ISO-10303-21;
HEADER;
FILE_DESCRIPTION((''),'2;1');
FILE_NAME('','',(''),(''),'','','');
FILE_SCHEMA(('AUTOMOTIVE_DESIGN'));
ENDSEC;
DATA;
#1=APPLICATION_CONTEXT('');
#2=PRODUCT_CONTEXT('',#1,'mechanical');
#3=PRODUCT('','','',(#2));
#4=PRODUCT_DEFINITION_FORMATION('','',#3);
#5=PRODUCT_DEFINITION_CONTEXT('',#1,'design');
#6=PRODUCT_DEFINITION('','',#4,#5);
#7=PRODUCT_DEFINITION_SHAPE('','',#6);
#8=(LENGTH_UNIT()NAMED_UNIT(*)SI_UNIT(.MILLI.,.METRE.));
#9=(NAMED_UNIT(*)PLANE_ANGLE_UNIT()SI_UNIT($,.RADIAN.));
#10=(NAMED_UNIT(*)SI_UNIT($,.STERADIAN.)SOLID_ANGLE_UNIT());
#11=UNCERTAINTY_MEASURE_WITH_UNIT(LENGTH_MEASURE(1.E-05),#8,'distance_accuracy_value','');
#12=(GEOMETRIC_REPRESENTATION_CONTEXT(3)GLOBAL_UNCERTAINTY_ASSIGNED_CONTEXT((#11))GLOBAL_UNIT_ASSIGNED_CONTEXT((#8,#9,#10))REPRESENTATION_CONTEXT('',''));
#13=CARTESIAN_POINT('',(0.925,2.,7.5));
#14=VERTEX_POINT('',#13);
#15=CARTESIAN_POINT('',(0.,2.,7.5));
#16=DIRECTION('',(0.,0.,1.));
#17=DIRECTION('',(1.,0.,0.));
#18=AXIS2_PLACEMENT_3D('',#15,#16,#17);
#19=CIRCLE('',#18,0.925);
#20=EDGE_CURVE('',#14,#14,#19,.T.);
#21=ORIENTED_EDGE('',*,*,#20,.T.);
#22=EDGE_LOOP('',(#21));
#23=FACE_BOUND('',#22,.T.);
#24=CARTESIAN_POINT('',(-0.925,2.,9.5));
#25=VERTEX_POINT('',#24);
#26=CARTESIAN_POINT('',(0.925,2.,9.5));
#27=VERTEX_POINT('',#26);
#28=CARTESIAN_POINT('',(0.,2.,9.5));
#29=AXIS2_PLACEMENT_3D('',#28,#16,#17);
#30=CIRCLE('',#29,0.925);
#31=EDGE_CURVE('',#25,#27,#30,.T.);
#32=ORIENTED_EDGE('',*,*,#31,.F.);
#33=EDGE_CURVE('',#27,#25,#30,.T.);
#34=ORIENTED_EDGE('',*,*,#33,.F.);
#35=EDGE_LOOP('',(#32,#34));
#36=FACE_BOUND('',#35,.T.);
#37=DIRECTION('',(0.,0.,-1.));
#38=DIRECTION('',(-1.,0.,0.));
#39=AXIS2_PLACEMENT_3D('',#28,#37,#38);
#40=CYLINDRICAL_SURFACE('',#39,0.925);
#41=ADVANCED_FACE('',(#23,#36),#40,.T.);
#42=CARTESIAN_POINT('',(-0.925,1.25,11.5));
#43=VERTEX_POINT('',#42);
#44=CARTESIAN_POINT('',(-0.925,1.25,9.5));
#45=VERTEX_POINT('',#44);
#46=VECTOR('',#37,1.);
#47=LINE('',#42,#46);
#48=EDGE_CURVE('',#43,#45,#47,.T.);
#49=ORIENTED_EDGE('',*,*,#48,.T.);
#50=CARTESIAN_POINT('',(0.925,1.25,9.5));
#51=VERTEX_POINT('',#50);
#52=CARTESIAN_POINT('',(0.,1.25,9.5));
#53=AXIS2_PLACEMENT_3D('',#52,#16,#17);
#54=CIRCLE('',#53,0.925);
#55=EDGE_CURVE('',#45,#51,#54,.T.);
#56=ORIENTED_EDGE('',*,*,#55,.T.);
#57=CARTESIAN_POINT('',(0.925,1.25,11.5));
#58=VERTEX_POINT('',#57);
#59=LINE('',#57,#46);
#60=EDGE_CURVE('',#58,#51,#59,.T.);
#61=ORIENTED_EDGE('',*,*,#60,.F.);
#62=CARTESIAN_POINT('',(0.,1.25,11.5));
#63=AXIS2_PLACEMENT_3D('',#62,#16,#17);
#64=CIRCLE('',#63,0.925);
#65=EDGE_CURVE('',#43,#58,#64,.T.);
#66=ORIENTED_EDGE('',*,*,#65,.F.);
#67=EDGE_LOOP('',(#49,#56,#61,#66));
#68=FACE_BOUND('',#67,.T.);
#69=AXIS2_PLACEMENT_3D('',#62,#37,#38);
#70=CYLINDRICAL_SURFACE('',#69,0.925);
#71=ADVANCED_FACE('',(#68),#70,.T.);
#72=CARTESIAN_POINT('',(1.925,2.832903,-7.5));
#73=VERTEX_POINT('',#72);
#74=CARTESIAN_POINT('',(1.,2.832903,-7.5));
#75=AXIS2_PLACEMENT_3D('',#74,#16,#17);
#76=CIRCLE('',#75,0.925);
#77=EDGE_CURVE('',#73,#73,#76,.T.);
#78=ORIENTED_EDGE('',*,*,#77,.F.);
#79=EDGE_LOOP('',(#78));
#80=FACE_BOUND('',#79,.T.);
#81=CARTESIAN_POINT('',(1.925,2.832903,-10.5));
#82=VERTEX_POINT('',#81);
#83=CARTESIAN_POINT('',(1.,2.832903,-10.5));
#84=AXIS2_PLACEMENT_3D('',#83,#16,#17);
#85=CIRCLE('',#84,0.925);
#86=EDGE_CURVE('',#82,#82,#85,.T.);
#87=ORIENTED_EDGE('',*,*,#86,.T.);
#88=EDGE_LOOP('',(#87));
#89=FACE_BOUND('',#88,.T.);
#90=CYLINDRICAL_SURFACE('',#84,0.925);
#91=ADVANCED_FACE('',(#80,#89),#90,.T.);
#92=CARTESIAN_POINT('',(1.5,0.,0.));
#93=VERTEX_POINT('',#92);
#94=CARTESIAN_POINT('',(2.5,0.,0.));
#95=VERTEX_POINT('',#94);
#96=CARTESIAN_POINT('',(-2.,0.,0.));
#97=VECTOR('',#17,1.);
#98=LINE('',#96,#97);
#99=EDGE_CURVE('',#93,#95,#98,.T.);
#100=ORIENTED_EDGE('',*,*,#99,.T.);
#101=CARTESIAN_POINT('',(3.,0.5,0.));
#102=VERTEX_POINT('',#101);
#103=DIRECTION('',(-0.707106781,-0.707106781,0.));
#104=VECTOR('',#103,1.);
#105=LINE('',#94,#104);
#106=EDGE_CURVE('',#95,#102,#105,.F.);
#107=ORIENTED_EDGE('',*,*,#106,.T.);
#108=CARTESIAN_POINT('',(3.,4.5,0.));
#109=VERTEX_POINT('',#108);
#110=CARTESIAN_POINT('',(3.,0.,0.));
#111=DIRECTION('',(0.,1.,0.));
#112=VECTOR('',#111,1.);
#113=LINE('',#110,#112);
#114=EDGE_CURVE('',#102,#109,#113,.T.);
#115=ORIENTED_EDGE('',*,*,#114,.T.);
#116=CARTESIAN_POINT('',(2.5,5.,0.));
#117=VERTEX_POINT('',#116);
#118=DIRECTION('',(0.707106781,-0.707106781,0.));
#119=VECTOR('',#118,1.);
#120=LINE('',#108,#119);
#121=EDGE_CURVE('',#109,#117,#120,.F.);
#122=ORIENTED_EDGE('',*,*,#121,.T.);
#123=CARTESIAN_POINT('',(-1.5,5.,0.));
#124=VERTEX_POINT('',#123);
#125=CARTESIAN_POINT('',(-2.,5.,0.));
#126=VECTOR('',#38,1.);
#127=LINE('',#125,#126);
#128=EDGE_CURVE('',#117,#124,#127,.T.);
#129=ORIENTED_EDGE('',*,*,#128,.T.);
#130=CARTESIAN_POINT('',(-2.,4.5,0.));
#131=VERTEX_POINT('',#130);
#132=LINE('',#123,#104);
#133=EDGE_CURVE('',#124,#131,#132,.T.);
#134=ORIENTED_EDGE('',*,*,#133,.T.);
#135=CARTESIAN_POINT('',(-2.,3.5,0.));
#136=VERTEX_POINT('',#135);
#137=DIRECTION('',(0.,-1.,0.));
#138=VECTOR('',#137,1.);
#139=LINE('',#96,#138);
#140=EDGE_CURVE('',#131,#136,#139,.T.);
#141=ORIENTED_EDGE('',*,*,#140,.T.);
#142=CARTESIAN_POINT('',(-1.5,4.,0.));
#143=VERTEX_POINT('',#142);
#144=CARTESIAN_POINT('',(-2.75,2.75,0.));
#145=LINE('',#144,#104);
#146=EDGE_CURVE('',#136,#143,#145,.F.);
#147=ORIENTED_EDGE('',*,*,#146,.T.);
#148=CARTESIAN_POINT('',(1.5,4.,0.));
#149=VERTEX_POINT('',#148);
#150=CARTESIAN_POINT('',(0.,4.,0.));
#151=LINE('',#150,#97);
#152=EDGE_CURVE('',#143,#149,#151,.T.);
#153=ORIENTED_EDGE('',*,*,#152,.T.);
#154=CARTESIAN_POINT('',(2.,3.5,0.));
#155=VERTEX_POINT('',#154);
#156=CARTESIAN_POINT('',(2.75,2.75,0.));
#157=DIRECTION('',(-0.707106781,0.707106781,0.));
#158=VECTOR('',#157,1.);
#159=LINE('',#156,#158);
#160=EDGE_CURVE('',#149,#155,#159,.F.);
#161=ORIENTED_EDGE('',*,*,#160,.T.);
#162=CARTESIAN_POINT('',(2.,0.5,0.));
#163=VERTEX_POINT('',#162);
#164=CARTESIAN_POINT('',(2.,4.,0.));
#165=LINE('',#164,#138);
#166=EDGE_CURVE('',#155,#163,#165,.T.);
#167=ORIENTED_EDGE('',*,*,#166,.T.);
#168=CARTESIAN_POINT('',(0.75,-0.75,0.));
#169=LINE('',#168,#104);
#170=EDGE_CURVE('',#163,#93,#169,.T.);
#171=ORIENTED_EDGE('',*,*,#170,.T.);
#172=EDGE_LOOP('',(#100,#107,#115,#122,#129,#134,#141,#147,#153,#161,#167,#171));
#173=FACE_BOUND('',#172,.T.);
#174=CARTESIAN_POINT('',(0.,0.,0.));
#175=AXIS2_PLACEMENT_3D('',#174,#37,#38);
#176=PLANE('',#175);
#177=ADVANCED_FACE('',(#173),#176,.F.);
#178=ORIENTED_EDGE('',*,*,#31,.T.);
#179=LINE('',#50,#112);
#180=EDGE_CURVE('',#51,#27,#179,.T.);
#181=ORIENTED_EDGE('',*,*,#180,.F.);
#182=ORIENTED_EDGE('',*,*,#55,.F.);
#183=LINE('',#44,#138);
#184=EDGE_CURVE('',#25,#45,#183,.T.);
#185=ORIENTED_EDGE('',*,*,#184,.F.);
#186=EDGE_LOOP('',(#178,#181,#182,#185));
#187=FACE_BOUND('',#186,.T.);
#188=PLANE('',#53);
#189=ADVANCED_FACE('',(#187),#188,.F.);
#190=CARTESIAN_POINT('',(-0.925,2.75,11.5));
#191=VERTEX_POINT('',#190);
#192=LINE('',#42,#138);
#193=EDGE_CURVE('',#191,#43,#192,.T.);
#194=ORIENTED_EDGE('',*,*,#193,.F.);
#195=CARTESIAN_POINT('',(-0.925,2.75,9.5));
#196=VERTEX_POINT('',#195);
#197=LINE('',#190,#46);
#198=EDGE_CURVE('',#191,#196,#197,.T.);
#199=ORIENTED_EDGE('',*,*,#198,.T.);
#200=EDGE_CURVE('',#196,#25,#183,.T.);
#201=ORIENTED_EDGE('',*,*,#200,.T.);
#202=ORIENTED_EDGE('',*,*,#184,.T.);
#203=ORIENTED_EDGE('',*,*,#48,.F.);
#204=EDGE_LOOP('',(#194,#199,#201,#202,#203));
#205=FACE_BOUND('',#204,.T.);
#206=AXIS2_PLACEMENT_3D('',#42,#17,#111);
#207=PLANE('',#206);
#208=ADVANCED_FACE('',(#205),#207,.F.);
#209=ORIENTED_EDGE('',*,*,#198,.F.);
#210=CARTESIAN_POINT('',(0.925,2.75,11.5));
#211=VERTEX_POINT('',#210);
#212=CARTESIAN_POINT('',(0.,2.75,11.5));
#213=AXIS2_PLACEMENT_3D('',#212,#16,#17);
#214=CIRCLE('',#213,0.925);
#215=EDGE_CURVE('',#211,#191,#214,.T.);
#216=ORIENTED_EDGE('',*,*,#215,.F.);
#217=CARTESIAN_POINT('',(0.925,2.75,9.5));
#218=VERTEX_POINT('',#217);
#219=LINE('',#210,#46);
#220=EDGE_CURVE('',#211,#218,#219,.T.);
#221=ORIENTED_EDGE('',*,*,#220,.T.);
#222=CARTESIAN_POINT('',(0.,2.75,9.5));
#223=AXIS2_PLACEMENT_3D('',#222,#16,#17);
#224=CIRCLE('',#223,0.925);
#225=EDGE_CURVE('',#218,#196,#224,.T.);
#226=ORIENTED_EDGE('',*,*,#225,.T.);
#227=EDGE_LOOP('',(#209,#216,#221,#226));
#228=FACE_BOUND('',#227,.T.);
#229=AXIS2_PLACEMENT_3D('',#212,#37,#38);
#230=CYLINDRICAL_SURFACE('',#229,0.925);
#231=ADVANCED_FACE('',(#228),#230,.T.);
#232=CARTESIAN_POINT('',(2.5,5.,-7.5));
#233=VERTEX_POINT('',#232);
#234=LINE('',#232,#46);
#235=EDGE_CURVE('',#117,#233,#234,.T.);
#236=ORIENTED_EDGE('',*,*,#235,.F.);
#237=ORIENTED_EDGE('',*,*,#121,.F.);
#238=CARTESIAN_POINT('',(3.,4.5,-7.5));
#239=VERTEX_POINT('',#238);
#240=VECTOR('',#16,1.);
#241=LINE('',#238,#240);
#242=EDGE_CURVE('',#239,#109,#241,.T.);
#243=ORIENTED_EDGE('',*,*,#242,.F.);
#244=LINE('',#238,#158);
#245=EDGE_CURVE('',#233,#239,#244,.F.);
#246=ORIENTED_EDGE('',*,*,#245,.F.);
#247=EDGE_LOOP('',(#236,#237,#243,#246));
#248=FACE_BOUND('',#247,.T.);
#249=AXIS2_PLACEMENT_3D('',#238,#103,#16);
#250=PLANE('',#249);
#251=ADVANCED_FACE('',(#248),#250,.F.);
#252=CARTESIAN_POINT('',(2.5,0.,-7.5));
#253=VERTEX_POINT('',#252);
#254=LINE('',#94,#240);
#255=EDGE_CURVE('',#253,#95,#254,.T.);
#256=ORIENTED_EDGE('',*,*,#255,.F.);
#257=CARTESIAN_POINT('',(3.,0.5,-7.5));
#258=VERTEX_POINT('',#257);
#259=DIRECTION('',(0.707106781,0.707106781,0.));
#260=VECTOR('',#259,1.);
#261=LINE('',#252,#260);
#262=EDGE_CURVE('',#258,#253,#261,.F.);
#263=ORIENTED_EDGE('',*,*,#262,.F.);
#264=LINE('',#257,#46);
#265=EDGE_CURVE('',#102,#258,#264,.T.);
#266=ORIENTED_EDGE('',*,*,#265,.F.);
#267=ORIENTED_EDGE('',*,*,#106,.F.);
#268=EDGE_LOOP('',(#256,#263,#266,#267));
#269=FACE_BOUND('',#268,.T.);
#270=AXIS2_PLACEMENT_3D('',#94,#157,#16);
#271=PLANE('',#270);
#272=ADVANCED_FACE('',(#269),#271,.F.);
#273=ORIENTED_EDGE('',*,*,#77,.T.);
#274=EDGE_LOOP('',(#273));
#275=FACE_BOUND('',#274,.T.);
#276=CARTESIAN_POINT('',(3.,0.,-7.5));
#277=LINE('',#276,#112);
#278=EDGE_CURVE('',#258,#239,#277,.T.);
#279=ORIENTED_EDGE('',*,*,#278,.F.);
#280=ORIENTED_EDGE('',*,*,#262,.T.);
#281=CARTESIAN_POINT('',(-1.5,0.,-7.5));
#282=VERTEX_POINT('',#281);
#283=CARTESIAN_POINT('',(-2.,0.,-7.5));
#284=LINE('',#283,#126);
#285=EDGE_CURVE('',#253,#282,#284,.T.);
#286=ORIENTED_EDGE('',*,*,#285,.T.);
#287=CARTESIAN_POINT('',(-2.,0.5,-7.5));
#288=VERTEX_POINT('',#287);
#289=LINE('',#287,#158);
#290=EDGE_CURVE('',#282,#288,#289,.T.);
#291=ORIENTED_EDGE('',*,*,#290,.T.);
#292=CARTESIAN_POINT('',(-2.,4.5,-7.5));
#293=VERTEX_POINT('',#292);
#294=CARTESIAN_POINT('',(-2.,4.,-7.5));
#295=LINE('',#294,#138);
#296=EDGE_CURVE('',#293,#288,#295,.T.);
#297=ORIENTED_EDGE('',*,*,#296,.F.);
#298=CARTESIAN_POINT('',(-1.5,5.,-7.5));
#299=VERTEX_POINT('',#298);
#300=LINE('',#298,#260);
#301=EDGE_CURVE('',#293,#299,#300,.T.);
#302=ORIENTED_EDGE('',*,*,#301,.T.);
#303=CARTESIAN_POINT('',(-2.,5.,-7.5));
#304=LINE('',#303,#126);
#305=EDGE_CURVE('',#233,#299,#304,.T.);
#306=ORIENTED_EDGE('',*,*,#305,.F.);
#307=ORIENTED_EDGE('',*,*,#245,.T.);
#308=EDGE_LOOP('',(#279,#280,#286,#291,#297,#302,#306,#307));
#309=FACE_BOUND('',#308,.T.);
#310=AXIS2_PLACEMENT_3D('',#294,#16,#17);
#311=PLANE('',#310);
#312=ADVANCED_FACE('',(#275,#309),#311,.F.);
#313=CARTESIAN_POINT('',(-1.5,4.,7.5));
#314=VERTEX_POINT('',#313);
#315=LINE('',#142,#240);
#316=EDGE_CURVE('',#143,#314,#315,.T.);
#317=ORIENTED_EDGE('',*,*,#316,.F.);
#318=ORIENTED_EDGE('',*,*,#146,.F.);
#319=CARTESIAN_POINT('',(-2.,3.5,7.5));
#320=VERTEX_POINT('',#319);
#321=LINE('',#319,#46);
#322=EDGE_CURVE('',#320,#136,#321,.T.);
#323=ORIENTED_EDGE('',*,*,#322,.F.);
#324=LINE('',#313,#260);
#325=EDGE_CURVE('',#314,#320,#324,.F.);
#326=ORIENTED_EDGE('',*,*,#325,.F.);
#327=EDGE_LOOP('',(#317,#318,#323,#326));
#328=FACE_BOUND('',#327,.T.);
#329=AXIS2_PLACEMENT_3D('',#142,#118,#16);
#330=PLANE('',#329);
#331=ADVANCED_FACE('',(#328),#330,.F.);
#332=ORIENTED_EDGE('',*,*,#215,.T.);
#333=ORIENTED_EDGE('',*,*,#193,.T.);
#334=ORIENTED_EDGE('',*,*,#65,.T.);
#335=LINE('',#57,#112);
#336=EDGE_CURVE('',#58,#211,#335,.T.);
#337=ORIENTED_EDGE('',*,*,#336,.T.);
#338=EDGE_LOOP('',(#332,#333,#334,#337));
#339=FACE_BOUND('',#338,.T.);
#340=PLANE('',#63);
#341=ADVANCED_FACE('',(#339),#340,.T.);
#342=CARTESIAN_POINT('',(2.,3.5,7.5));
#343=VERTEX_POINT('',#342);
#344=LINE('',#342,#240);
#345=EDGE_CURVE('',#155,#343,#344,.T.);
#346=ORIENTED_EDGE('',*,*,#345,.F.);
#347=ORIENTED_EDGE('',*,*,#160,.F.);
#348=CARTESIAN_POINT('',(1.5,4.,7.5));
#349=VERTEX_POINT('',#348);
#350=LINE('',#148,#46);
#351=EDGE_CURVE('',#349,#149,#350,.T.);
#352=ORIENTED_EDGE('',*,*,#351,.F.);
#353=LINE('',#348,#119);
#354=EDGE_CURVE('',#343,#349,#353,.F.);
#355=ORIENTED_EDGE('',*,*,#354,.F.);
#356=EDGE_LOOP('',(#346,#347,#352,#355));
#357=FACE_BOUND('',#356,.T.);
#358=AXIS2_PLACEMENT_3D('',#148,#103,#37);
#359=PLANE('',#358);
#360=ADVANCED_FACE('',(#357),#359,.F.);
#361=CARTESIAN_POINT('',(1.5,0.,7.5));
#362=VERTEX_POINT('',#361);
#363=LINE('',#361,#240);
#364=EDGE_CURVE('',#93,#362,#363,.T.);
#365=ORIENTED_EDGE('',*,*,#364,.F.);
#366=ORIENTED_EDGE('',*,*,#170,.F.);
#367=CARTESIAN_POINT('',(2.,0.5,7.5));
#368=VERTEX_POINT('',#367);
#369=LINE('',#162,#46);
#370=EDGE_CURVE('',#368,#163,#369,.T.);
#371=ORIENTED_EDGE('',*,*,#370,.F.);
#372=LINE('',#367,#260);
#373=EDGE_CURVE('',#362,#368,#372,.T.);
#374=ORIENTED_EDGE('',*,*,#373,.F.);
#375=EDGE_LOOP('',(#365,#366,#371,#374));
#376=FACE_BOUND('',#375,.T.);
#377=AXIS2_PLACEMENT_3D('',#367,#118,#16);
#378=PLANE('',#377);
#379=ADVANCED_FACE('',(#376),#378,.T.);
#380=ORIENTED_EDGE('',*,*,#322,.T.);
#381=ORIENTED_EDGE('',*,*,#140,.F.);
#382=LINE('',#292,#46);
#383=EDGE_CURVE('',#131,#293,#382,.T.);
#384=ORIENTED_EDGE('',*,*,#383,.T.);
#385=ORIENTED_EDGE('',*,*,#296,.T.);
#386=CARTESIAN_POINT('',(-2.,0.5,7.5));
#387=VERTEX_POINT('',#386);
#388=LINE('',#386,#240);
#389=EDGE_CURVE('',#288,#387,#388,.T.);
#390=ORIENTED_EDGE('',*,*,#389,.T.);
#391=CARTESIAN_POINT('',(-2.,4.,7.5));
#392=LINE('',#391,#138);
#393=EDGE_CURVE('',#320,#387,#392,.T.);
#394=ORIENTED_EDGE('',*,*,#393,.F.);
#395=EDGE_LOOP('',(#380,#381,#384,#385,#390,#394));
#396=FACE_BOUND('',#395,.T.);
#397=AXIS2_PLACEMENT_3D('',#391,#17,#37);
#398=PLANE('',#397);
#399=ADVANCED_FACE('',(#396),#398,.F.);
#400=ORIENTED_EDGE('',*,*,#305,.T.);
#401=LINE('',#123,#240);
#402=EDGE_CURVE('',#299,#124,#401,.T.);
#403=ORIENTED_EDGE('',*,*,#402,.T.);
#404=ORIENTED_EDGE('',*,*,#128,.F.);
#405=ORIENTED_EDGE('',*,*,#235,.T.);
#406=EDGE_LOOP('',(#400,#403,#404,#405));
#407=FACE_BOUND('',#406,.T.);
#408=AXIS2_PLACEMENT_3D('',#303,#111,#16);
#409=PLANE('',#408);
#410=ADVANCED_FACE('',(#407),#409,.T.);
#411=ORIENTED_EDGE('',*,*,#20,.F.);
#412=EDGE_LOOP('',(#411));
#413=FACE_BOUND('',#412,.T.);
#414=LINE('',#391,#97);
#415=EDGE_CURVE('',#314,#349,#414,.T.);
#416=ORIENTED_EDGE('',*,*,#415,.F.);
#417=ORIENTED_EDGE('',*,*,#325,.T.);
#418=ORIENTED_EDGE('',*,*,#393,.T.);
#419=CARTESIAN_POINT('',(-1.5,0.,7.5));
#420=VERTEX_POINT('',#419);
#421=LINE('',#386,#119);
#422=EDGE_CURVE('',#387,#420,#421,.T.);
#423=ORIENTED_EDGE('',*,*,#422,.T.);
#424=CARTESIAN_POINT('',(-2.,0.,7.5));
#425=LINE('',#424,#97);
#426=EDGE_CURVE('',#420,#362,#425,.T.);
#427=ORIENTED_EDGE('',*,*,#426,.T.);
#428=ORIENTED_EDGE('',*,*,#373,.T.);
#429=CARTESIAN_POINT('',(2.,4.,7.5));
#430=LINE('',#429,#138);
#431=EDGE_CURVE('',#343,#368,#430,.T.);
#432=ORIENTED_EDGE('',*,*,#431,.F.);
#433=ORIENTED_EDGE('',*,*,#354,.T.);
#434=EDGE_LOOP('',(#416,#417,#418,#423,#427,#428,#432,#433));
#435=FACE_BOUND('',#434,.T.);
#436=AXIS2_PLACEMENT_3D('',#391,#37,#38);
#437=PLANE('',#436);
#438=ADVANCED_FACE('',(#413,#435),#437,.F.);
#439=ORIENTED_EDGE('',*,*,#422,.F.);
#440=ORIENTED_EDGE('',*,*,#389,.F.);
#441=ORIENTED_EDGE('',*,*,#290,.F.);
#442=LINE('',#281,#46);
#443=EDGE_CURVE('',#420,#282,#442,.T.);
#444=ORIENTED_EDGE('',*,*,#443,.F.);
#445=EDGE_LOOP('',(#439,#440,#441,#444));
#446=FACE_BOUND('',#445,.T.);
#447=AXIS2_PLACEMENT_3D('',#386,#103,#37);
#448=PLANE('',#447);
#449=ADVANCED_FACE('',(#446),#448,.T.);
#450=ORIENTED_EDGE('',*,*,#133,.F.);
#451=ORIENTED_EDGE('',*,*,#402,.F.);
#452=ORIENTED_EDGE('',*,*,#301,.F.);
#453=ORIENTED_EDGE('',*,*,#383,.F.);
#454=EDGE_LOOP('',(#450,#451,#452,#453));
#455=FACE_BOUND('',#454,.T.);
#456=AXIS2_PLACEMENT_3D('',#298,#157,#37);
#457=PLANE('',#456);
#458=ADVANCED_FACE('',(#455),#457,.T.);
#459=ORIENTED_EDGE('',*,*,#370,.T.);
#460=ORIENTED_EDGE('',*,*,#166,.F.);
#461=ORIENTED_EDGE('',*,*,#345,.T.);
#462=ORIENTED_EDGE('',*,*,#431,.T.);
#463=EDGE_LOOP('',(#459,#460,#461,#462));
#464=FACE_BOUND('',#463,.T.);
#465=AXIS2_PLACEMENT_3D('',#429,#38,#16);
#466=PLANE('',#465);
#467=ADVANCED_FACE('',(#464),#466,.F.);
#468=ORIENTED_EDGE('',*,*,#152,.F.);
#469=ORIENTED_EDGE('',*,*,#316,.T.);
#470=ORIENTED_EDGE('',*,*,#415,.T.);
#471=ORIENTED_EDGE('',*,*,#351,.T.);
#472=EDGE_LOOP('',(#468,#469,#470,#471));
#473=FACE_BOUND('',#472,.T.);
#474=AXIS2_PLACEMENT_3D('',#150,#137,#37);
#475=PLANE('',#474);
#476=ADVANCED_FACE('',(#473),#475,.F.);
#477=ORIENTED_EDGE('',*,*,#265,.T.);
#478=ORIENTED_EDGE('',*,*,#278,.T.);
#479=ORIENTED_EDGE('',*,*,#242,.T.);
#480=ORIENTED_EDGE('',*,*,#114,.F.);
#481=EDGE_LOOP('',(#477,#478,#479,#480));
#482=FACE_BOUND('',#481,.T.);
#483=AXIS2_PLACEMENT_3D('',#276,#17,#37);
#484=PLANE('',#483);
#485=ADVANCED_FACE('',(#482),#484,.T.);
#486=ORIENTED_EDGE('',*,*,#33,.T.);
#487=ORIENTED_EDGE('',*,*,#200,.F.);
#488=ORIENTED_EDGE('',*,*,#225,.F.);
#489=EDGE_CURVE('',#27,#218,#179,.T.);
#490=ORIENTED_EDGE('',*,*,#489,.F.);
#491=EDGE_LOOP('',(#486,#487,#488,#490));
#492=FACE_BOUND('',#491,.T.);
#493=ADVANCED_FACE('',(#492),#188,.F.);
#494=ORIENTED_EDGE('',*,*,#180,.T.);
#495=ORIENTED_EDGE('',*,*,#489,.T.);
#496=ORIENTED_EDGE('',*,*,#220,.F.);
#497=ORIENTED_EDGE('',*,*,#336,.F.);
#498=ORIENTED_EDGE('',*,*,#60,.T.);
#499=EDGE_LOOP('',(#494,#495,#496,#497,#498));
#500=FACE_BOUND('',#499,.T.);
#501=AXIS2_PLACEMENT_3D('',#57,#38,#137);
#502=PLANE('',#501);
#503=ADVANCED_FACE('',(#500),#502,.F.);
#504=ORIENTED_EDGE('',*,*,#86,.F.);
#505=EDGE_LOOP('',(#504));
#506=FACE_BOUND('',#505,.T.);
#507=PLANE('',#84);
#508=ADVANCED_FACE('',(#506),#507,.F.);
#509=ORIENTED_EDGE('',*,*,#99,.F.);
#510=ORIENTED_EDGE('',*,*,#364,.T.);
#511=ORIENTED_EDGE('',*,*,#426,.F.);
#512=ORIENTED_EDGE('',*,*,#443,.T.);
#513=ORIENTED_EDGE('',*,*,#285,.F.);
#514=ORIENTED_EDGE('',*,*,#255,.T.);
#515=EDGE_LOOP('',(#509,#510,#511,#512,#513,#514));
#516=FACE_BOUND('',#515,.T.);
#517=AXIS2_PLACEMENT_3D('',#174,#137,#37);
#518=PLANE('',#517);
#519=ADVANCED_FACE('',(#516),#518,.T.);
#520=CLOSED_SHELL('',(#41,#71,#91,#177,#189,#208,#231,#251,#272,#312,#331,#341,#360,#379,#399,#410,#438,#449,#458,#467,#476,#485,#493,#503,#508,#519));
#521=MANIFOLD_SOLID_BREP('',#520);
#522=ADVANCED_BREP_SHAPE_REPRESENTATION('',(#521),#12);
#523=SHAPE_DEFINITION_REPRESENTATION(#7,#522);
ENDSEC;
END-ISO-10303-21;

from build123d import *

# Parameters (mm, degrees)
SKETCH1_W           = 4
SKETCH1_H           = 15
BOSS_EXTRUDE1_DEPTH = 4
SKETCH2_R           = 0.925
BOSS_EXTRUDE2_DEPTH = 2
BOSS_EXTRUDE3_DEPTH = 2
SKETCH6_W           = 5
SKETCH6_H           = 5
BOSS_EXTRUDE5_DEPTH = 7.5
SKETCH7_R           = 0.925
BOSS_EXTRUDE6_DEPTH = 18
CHAMFER1_SIZE       = 0.5


with BuildPart() as part:
    # Sketch1 → Boss-Extrude1 (new body)
    with BuildSketch(Plane(origin=(0, 0, 0), x_dir=(1, 0, 0), z_dir=(0, 1, 0))):
        Rectangle(SKETCH1_W, SKETCH1_H)
    extrude(amount=BOSS_EXTRUDE1_DEPTH)

    # Sketch2 → Boss-Extrude2 (add)
    with BuildSketch(Plane.XY.offset(7.5)):
        with Locations((0, 2)):
            Circle(SKETCH2_R)
    extrude(amount=BOSS_EXTRUDE2_DEPTH)

    # Sketch3 → Boss-Extrude3 (add)
    with BuildSketch(Plane.XY.offset(9.5)):
        with BuildLine():
            Line((-0.925, 1.25), (-0.925, 2.75))
            ThreePointArc((-0.925, 2.75), (0, 3.675), (0.925, 2.75))
            Line((0.925, 2.75), (0.925, 1.25))
            ThreePointArc((0.925, 1.25), (0, 0.325), (-0.925, 1.25))
        make_face()
    extrude(amount=BOSS_EXTRUDE3_DEPTH)

    # Sketch6 → Boss-Extrude5 (add)
    with BuildSketch(Plane.XY):
        with Locations((0.5, 2.5)):
            Rectangle(SKETCH6_W, SKETCH6_H)
    extrude(amount=-BOSS_EXTRUDE5_DEPTH)

    # Sketch7 → Boss-Extrude6 (add)
    with BuildSketch(Plane.XY.offset(7.5)):
        with Locations((1, 2.832903413)):
            Circle(SKETCH7_R)
    extrude(amount=-BOSS_EXTRUDE6_DEPTH)

    # Chamfer1
    chamfer1_edges = [part.edges().sort_by_distance(p)[0] for p in [
        (-2, 4, 3.75),
        (3, 0, -3.75),
        (-2, 5, -3.75),
        (3, 5, -3.75),
        (2, 4, 3.75),
        (-2, 0, 0),
        (2, 0, 3.75),
    ]]
    chamfer(chamfer1_edges, length=CHAMFER1_SIZE)


solid = part.part
